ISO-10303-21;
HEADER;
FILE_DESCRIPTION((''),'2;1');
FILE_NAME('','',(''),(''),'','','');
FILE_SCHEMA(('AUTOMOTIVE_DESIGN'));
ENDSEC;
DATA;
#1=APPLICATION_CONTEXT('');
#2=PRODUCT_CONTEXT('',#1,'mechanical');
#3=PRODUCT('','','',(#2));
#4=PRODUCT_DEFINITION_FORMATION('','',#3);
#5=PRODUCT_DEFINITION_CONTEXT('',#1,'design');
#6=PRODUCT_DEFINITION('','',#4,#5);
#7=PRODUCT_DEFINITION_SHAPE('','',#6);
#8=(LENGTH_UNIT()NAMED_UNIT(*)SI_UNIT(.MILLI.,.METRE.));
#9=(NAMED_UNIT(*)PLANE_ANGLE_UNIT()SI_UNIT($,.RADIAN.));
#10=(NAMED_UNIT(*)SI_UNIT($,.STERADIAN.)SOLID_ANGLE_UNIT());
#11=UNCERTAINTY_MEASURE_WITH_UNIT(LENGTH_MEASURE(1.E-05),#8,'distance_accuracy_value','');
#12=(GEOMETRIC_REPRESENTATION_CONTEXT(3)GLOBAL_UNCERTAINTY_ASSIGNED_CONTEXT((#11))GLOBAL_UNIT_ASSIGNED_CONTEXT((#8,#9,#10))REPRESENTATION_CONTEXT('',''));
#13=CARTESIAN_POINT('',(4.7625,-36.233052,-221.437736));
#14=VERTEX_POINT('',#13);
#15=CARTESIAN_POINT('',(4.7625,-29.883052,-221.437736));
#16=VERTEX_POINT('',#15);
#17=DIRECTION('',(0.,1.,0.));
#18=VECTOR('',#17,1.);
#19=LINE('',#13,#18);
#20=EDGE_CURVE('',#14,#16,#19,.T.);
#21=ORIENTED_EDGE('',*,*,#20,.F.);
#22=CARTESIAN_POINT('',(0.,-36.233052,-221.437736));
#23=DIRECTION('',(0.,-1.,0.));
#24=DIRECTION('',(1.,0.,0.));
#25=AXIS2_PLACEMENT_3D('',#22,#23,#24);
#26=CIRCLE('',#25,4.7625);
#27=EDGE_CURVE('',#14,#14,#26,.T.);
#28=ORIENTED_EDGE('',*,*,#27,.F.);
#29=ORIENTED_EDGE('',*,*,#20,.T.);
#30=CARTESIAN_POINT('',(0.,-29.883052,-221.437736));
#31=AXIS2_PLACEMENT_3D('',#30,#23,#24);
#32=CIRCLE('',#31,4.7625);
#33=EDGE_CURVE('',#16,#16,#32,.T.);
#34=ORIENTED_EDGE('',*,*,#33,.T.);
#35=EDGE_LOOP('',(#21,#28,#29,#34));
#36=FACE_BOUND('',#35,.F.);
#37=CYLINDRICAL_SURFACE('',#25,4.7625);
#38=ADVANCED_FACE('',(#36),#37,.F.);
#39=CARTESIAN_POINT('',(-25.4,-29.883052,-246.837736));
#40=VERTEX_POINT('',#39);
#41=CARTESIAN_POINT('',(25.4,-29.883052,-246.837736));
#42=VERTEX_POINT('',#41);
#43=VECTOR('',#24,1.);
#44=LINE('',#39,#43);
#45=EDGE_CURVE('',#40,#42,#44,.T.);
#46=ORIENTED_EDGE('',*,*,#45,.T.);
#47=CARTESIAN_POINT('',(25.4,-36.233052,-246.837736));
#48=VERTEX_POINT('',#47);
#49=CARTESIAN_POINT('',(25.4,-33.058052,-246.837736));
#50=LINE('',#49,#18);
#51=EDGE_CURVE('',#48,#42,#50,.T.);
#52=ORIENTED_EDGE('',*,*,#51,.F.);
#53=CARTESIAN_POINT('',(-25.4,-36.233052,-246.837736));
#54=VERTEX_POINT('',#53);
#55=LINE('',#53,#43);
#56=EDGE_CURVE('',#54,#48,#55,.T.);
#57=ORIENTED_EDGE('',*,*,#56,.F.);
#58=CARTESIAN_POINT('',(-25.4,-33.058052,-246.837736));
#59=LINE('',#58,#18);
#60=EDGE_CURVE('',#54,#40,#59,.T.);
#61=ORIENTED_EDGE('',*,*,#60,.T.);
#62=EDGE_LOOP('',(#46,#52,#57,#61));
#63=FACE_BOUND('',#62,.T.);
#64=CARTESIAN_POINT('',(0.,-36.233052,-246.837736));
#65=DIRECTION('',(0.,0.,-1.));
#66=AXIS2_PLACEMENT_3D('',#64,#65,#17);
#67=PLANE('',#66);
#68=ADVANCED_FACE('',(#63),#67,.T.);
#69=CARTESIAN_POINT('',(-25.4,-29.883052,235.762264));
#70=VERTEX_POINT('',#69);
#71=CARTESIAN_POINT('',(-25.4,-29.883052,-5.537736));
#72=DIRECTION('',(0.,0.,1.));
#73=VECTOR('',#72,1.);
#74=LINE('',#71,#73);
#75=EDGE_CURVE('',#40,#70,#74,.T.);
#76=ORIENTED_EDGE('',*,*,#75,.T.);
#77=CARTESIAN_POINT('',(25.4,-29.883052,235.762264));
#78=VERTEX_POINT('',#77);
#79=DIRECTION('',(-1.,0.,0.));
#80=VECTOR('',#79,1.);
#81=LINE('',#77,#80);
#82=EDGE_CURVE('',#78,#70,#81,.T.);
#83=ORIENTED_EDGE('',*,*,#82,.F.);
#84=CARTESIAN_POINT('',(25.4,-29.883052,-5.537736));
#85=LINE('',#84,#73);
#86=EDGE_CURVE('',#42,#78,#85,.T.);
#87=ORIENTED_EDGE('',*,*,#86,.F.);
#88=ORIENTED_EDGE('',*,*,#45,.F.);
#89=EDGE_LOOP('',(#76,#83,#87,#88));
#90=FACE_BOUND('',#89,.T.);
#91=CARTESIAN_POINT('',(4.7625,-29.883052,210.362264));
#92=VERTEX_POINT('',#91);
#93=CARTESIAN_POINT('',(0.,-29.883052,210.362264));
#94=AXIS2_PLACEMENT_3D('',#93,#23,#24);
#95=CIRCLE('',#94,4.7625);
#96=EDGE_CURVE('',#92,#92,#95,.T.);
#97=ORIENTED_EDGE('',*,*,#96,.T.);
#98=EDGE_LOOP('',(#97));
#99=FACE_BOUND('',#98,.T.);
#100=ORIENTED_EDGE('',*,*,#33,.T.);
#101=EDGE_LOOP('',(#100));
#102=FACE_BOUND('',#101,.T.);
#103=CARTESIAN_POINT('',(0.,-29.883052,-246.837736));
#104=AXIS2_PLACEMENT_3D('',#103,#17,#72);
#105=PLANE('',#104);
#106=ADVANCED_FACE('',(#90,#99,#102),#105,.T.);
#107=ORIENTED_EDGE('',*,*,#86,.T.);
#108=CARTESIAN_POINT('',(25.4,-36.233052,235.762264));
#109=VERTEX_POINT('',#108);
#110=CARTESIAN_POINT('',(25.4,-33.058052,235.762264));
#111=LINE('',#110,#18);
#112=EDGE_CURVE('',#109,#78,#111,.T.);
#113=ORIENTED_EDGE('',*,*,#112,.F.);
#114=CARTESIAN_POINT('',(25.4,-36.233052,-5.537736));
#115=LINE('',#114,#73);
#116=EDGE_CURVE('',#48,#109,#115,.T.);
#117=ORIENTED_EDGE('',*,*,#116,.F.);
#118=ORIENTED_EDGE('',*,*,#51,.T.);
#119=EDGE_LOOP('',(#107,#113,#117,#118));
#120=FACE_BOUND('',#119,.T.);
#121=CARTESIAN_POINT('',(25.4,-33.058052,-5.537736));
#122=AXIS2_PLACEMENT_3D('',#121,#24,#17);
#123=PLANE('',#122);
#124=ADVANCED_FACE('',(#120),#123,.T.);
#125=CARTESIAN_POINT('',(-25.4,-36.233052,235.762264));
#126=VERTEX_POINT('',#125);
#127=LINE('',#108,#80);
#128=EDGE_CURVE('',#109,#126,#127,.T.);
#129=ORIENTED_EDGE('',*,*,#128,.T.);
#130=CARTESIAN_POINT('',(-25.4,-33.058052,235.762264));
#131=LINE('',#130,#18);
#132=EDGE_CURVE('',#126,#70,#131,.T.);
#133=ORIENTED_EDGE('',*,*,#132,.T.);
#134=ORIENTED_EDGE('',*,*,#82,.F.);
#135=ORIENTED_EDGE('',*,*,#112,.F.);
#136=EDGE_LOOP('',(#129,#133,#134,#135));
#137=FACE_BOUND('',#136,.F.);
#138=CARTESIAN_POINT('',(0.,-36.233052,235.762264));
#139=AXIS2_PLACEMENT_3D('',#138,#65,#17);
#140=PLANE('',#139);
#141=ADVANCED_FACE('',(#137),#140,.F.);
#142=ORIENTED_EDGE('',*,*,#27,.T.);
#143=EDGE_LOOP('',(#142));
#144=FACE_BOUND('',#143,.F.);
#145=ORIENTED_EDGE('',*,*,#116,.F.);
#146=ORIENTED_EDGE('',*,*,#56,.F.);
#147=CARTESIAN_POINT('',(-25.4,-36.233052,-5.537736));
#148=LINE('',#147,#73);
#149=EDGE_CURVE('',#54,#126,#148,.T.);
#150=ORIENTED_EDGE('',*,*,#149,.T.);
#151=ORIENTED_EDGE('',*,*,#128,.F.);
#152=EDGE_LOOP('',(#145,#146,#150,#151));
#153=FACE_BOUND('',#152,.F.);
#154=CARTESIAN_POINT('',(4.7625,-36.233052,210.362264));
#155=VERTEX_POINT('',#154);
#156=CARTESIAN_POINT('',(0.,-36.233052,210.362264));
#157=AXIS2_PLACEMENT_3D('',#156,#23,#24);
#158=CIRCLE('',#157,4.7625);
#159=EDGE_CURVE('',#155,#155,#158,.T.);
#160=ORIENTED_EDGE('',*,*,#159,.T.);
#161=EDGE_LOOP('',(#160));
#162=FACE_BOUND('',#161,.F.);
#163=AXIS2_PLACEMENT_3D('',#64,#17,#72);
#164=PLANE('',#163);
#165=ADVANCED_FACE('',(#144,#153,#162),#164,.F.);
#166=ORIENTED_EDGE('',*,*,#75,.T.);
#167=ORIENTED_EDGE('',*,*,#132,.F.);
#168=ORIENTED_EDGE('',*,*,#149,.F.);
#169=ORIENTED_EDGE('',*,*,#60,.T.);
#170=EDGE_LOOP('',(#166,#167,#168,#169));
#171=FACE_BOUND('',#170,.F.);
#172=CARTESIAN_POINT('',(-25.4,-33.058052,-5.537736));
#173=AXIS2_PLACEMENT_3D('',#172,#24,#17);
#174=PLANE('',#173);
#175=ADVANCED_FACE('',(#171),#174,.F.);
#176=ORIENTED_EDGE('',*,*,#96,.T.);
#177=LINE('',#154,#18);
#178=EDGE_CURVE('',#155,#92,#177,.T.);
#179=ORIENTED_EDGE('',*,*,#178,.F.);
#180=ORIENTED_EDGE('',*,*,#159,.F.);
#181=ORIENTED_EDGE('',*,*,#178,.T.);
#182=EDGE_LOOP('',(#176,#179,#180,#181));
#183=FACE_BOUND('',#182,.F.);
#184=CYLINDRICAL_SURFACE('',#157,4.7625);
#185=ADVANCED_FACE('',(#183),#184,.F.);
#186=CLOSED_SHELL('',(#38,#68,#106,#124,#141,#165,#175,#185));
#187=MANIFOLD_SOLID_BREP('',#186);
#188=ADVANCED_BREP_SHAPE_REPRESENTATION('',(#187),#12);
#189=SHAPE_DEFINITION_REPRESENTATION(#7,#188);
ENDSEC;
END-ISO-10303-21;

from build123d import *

# Parameters (mm, degrees)
F0_W     = 6.35
F0_H     = 482.6
F1_DEPTH = 25.4
F2_R     = 4.7625
F3_DEPTH = 6.351


with BuildPart() as f1:
    # F0 (on Right) → F1 (new body, symmetric)
    with BuildSketch(Plane.YZ):
        with Locations((-33.058052, -5.537736)):
            Rectangle(F0_W, F0_H)
    extrude(amount=F1_DEPTH, both=True)

    # F2 (on face) → F3 (cut, through all)
    with BuildSketch(Plane.XZ.offset(36.233052)):
        with Locations((0, 210.362264)):
            Circle(F2_R)
        with Locations((0, -221.437736)):
            Circle(F2_R)
    extrude(amount=-F3_DEPTH, mode=Mode.SUBTRACT)


solid = f1.part
